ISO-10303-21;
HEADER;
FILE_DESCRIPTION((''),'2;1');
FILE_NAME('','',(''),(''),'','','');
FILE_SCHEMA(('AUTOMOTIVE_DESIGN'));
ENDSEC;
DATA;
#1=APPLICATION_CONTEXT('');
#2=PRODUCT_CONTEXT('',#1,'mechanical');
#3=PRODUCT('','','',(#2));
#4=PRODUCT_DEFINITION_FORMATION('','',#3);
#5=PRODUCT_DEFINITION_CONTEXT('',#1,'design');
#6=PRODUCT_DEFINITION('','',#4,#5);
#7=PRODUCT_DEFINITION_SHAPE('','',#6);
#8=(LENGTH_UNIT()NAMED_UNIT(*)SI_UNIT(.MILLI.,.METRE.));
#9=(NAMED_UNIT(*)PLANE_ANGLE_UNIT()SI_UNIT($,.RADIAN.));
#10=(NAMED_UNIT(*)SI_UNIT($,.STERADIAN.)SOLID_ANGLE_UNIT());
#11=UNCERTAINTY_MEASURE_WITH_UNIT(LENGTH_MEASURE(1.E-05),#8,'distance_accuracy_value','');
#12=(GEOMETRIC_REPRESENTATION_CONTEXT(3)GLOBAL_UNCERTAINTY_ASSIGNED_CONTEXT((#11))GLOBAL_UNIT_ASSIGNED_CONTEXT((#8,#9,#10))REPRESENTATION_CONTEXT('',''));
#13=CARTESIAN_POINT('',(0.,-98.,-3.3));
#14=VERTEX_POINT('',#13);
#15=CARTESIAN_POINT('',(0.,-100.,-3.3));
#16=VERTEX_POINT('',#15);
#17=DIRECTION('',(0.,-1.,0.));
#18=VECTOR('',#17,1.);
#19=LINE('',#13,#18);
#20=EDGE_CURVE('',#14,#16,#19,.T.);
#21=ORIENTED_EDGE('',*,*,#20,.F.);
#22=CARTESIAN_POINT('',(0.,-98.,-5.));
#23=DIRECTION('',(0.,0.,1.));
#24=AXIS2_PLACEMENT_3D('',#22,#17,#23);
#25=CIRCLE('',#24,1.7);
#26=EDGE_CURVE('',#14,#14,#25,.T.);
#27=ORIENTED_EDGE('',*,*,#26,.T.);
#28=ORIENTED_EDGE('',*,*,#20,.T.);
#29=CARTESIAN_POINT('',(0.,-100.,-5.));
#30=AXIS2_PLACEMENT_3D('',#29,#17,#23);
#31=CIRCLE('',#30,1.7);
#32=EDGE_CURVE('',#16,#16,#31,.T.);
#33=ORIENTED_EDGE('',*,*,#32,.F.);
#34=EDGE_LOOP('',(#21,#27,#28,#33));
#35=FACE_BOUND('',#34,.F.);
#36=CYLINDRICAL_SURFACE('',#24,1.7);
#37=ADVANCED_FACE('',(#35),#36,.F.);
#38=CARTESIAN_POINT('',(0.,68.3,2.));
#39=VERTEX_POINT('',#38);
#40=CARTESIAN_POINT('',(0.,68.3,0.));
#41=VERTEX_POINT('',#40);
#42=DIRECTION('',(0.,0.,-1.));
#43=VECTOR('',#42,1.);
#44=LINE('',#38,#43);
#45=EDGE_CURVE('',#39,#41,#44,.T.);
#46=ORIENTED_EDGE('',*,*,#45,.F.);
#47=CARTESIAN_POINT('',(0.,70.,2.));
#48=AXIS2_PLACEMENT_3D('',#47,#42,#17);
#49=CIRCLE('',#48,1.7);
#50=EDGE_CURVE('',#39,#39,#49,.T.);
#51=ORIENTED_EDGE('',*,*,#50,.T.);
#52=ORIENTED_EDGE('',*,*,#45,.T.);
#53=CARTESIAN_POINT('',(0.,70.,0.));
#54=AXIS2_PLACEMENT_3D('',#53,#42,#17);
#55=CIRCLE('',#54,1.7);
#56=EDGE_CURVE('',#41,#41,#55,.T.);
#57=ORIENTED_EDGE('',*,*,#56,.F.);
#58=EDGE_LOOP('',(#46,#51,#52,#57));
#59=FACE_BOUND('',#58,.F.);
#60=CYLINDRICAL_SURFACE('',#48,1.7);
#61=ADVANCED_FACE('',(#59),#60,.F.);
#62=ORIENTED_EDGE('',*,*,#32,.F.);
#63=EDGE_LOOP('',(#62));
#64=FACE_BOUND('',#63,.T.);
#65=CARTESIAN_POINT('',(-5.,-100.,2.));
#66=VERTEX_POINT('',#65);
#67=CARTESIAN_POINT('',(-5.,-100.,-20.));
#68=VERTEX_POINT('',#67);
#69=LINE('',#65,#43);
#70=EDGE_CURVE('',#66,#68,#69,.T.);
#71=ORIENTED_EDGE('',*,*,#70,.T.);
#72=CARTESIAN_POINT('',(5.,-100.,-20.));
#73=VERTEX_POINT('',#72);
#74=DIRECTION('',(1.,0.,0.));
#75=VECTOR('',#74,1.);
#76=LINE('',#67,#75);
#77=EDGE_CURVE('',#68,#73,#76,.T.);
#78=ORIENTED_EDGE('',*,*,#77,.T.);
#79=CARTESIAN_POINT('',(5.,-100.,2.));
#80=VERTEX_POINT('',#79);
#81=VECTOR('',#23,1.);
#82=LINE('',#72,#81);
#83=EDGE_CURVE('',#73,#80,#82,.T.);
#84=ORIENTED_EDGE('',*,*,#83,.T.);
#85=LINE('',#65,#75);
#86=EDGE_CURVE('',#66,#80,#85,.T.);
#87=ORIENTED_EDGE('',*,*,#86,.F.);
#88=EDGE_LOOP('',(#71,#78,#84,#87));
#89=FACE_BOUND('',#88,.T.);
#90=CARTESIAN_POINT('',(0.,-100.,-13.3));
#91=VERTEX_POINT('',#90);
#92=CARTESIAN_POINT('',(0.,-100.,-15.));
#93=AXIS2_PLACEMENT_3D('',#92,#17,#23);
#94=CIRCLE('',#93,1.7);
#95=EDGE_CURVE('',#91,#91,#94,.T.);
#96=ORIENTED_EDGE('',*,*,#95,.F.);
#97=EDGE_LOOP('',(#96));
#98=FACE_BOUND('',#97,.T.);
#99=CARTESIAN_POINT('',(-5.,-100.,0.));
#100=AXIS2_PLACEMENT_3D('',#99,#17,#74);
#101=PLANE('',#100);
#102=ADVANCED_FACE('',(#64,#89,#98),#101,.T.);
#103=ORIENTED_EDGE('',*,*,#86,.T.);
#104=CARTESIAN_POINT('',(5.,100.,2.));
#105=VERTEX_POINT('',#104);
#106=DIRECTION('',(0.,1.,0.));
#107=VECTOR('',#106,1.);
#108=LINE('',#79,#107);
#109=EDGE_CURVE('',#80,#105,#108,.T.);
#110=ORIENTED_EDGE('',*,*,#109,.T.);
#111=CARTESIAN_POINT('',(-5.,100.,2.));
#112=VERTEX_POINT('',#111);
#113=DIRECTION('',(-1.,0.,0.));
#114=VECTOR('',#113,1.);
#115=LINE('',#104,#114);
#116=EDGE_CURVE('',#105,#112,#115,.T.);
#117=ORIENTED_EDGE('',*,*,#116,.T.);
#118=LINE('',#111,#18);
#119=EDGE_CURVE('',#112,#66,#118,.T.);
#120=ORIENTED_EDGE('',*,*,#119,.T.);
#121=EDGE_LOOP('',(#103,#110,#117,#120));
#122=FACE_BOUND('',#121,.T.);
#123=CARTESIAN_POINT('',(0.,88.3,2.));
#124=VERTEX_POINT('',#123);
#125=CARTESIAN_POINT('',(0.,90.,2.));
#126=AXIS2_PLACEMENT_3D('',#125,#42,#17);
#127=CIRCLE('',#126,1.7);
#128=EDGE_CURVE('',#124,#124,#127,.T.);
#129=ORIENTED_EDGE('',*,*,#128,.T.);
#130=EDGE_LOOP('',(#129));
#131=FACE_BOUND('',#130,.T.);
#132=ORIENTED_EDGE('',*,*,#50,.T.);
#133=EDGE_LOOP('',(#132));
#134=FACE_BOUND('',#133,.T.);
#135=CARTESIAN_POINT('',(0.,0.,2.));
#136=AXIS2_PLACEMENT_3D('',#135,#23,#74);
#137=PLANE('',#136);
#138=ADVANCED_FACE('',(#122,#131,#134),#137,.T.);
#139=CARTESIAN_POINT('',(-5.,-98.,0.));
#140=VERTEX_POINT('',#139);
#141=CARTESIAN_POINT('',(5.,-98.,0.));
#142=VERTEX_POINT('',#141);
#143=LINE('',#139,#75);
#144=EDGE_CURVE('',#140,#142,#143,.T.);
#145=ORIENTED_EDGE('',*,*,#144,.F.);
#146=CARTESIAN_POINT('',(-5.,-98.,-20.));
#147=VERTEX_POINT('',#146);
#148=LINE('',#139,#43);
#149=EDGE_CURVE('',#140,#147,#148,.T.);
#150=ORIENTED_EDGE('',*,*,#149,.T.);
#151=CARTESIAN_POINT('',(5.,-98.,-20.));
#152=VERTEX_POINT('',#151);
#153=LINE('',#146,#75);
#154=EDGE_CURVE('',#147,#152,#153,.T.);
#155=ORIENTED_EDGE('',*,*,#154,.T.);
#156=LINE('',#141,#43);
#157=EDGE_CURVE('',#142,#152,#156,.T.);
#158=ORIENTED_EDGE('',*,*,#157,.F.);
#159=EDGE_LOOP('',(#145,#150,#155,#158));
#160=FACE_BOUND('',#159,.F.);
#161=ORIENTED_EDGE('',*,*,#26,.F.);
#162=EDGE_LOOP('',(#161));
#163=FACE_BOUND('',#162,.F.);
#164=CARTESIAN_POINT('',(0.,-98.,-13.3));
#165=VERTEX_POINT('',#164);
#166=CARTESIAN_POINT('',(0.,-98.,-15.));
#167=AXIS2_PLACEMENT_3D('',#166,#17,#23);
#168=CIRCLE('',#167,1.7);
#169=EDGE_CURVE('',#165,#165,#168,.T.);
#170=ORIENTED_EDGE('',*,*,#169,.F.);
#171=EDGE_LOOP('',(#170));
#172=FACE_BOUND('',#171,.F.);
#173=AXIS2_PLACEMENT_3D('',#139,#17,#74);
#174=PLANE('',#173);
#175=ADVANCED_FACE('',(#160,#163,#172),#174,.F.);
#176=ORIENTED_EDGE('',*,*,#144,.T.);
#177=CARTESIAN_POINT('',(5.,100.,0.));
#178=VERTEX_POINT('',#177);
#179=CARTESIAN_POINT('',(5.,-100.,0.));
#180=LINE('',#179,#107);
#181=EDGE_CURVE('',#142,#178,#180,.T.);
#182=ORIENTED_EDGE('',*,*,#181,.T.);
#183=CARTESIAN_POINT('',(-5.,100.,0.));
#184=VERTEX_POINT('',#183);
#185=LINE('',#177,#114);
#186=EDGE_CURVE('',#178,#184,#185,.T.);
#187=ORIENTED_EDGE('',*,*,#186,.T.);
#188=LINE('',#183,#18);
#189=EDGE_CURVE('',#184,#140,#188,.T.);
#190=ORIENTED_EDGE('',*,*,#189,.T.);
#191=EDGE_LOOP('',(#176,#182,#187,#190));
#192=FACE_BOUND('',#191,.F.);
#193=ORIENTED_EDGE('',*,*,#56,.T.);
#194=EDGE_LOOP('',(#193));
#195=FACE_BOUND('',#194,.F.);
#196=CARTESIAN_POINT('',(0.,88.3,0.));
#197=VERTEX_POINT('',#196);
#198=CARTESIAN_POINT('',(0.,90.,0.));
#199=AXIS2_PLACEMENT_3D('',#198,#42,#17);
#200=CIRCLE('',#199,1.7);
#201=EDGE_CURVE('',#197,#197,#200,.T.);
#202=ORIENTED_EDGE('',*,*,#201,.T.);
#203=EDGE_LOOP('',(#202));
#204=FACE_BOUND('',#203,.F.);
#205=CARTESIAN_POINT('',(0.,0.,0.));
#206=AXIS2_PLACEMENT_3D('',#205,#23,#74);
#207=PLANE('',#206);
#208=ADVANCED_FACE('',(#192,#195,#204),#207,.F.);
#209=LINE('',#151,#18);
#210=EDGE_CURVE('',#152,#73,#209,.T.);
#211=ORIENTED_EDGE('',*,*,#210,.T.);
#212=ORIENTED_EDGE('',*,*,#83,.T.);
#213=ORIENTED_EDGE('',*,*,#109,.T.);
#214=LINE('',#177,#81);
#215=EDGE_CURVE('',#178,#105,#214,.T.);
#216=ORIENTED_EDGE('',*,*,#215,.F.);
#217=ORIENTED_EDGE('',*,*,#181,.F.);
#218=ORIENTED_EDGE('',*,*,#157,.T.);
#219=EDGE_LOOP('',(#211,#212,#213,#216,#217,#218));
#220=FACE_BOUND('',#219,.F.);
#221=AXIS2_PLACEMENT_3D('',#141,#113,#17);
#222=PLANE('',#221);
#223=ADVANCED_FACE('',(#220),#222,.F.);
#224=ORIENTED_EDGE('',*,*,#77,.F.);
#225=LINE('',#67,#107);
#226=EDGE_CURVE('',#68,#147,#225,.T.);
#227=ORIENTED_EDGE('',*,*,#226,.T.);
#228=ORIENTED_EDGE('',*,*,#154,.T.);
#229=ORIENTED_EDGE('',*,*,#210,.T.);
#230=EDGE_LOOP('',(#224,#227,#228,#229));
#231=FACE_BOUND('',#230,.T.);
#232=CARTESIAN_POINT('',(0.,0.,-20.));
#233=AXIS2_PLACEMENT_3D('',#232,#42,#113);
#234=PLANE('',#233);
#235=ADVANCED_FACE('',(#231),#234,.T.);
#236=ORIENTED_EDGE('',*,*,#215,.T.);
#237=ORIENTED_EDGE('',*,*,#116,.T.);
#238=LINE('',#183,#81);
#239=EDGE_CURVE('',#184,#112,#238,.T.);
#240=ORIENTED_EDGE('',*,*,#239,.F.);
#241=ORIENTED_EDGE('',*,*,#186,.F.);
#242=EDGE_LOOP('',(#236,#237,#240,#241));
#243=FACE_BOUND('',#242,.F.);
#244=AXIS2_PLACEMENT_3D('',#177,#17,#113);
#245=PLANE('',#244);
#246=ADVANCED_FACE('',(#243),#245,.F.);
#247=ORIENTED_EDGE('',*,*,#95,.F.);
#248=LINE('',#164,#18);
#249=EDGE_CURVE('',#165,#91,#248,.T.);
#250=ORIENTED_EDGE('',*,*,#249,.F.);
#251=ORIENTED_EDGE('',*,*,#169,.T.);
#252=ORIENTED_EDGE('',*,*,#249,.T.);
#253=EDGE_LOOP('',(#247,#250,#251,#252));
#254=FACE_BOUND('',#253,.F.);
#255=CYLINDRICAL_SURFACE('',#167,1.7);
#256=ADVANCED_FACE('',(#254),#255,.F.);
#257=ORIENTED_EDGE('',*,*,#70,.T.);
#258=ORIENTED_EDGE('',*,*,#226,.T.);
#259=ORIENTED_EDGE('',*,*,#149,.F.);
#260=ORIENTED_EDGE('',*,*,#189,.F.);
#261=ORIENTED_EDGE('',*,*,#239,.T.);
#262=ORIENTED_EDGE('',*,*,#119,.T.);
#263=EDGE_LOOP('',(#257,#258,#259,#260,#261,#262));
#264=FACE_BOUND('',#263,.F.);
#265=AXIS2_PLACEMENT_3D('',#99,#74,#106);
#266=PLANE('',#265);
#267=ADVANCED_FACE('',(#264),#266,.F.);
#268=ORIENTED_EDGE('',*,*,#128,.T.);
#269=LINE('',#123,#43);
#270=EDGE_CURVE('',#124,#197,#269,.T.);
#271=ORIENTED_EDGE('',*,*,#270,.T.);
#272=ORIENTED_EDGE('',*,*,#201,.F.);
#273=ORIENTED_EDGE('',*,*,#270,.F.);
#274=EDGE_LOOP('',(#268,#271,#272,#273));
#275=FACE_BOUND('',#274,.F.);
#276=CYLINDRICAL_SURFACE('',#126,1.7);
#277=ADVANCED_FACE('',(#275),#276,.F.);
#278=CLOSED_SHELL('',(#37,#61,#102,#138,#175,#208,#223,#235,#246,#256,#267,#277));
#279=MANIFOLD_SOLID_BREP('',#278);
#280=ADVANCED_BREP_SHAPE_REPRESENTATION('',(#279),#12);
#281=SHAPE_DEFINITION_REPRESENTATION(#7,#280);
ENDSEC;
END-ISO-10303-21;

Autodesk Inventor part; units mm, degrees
ref_plane "YZ Plane" through (0, 0, 0) normal (1, 0, 0) x (0, 1, 0)
ref_plane "XZ Plane" through (0, 0, 0) normal (0, 1, 0) x (-1, 0, 0)
ref_plane "XY Plane" through (0, 0, 0) normal (0, 0, 1) x (1, 0, 0)
sketch "スケッチ1" plane through (0, 0, 0) normal (0, 0, 1) x (1, 0, 0)
  line L0 (-5, -100) -> (5, -100)
  line L1 (5, -100) -> (5, 100)
  line L2 (5, 100) -> (-5, 100)
  line L3 (-5, 100) -> (-5, -100)
  line L4 (-5, -100) -> (5, 100) construction
  line L5 (5, -100) -> (-5, 100) construction
  point P0 (0, 0)
  dimension "d0" = 10
  dimension "d1" = 200
extrude "押し出し1" add sketch "スケッチ1" along normal blind 2
sketch "スケッチ2" plane through (0, 0, 2) normal (0, 0, 1) x (1, 0, 0)
  line L0 (5, 100) -> (-5, 100) projected
  point P0 (0, 0)
  point P1 (0, 100)
  point P2 (0, 90)
  point P3 (0, 70)
  dimension "d4" = 10
  dimension "d5" = 20
hole "穴1" at (0, 90, 2) at (0, 70, 2) direction (0, 0, -1) diameter 3.4 end through all clearance for "Flat Head Machine Screw" size "M3" standard "Ansi Metric M Profile"
sketch "スケッチ3" plane through (0, 0, 0) normal (0, 0, -1) x (-1, 0, 0)
  line L0 (5, -100) -> (-5, -100) projected
  line L1 (-5, -100) -> (5, -100)
  line L2 (5, -100) -> (5, -98)
  line L3 (5, -98) -> (-5, -98)
  line L4 (-5, -98) -> (-5, -100)
  point P0 (0, 0)
  dimension "d13" = 2
extrude "押し出し2" add sketch "スケッチ3" along normal blind 20
sketch "スケッチ4" plane through (-5, -98, 0) normal (0, 1, 0) x (1, 0, 0)
  line L0 (0, 20) -> (10, 20) projected
  point P0 (5, 0)
  point P1 (5, 15)
  point P2 (5, 5)
  dimension "d16" = 5
  dimension "d17" = 10
hole "穴2" at (0, -98, -15) at (0, -98, -5) direction (0, -1, 0) diameter 3.4 end through all clearance for "Flat Head Machine Screw" size "M3" standard "Ansi Metric M Profile"
properties part number "20220509_知能ロボットカメラ角棒"
